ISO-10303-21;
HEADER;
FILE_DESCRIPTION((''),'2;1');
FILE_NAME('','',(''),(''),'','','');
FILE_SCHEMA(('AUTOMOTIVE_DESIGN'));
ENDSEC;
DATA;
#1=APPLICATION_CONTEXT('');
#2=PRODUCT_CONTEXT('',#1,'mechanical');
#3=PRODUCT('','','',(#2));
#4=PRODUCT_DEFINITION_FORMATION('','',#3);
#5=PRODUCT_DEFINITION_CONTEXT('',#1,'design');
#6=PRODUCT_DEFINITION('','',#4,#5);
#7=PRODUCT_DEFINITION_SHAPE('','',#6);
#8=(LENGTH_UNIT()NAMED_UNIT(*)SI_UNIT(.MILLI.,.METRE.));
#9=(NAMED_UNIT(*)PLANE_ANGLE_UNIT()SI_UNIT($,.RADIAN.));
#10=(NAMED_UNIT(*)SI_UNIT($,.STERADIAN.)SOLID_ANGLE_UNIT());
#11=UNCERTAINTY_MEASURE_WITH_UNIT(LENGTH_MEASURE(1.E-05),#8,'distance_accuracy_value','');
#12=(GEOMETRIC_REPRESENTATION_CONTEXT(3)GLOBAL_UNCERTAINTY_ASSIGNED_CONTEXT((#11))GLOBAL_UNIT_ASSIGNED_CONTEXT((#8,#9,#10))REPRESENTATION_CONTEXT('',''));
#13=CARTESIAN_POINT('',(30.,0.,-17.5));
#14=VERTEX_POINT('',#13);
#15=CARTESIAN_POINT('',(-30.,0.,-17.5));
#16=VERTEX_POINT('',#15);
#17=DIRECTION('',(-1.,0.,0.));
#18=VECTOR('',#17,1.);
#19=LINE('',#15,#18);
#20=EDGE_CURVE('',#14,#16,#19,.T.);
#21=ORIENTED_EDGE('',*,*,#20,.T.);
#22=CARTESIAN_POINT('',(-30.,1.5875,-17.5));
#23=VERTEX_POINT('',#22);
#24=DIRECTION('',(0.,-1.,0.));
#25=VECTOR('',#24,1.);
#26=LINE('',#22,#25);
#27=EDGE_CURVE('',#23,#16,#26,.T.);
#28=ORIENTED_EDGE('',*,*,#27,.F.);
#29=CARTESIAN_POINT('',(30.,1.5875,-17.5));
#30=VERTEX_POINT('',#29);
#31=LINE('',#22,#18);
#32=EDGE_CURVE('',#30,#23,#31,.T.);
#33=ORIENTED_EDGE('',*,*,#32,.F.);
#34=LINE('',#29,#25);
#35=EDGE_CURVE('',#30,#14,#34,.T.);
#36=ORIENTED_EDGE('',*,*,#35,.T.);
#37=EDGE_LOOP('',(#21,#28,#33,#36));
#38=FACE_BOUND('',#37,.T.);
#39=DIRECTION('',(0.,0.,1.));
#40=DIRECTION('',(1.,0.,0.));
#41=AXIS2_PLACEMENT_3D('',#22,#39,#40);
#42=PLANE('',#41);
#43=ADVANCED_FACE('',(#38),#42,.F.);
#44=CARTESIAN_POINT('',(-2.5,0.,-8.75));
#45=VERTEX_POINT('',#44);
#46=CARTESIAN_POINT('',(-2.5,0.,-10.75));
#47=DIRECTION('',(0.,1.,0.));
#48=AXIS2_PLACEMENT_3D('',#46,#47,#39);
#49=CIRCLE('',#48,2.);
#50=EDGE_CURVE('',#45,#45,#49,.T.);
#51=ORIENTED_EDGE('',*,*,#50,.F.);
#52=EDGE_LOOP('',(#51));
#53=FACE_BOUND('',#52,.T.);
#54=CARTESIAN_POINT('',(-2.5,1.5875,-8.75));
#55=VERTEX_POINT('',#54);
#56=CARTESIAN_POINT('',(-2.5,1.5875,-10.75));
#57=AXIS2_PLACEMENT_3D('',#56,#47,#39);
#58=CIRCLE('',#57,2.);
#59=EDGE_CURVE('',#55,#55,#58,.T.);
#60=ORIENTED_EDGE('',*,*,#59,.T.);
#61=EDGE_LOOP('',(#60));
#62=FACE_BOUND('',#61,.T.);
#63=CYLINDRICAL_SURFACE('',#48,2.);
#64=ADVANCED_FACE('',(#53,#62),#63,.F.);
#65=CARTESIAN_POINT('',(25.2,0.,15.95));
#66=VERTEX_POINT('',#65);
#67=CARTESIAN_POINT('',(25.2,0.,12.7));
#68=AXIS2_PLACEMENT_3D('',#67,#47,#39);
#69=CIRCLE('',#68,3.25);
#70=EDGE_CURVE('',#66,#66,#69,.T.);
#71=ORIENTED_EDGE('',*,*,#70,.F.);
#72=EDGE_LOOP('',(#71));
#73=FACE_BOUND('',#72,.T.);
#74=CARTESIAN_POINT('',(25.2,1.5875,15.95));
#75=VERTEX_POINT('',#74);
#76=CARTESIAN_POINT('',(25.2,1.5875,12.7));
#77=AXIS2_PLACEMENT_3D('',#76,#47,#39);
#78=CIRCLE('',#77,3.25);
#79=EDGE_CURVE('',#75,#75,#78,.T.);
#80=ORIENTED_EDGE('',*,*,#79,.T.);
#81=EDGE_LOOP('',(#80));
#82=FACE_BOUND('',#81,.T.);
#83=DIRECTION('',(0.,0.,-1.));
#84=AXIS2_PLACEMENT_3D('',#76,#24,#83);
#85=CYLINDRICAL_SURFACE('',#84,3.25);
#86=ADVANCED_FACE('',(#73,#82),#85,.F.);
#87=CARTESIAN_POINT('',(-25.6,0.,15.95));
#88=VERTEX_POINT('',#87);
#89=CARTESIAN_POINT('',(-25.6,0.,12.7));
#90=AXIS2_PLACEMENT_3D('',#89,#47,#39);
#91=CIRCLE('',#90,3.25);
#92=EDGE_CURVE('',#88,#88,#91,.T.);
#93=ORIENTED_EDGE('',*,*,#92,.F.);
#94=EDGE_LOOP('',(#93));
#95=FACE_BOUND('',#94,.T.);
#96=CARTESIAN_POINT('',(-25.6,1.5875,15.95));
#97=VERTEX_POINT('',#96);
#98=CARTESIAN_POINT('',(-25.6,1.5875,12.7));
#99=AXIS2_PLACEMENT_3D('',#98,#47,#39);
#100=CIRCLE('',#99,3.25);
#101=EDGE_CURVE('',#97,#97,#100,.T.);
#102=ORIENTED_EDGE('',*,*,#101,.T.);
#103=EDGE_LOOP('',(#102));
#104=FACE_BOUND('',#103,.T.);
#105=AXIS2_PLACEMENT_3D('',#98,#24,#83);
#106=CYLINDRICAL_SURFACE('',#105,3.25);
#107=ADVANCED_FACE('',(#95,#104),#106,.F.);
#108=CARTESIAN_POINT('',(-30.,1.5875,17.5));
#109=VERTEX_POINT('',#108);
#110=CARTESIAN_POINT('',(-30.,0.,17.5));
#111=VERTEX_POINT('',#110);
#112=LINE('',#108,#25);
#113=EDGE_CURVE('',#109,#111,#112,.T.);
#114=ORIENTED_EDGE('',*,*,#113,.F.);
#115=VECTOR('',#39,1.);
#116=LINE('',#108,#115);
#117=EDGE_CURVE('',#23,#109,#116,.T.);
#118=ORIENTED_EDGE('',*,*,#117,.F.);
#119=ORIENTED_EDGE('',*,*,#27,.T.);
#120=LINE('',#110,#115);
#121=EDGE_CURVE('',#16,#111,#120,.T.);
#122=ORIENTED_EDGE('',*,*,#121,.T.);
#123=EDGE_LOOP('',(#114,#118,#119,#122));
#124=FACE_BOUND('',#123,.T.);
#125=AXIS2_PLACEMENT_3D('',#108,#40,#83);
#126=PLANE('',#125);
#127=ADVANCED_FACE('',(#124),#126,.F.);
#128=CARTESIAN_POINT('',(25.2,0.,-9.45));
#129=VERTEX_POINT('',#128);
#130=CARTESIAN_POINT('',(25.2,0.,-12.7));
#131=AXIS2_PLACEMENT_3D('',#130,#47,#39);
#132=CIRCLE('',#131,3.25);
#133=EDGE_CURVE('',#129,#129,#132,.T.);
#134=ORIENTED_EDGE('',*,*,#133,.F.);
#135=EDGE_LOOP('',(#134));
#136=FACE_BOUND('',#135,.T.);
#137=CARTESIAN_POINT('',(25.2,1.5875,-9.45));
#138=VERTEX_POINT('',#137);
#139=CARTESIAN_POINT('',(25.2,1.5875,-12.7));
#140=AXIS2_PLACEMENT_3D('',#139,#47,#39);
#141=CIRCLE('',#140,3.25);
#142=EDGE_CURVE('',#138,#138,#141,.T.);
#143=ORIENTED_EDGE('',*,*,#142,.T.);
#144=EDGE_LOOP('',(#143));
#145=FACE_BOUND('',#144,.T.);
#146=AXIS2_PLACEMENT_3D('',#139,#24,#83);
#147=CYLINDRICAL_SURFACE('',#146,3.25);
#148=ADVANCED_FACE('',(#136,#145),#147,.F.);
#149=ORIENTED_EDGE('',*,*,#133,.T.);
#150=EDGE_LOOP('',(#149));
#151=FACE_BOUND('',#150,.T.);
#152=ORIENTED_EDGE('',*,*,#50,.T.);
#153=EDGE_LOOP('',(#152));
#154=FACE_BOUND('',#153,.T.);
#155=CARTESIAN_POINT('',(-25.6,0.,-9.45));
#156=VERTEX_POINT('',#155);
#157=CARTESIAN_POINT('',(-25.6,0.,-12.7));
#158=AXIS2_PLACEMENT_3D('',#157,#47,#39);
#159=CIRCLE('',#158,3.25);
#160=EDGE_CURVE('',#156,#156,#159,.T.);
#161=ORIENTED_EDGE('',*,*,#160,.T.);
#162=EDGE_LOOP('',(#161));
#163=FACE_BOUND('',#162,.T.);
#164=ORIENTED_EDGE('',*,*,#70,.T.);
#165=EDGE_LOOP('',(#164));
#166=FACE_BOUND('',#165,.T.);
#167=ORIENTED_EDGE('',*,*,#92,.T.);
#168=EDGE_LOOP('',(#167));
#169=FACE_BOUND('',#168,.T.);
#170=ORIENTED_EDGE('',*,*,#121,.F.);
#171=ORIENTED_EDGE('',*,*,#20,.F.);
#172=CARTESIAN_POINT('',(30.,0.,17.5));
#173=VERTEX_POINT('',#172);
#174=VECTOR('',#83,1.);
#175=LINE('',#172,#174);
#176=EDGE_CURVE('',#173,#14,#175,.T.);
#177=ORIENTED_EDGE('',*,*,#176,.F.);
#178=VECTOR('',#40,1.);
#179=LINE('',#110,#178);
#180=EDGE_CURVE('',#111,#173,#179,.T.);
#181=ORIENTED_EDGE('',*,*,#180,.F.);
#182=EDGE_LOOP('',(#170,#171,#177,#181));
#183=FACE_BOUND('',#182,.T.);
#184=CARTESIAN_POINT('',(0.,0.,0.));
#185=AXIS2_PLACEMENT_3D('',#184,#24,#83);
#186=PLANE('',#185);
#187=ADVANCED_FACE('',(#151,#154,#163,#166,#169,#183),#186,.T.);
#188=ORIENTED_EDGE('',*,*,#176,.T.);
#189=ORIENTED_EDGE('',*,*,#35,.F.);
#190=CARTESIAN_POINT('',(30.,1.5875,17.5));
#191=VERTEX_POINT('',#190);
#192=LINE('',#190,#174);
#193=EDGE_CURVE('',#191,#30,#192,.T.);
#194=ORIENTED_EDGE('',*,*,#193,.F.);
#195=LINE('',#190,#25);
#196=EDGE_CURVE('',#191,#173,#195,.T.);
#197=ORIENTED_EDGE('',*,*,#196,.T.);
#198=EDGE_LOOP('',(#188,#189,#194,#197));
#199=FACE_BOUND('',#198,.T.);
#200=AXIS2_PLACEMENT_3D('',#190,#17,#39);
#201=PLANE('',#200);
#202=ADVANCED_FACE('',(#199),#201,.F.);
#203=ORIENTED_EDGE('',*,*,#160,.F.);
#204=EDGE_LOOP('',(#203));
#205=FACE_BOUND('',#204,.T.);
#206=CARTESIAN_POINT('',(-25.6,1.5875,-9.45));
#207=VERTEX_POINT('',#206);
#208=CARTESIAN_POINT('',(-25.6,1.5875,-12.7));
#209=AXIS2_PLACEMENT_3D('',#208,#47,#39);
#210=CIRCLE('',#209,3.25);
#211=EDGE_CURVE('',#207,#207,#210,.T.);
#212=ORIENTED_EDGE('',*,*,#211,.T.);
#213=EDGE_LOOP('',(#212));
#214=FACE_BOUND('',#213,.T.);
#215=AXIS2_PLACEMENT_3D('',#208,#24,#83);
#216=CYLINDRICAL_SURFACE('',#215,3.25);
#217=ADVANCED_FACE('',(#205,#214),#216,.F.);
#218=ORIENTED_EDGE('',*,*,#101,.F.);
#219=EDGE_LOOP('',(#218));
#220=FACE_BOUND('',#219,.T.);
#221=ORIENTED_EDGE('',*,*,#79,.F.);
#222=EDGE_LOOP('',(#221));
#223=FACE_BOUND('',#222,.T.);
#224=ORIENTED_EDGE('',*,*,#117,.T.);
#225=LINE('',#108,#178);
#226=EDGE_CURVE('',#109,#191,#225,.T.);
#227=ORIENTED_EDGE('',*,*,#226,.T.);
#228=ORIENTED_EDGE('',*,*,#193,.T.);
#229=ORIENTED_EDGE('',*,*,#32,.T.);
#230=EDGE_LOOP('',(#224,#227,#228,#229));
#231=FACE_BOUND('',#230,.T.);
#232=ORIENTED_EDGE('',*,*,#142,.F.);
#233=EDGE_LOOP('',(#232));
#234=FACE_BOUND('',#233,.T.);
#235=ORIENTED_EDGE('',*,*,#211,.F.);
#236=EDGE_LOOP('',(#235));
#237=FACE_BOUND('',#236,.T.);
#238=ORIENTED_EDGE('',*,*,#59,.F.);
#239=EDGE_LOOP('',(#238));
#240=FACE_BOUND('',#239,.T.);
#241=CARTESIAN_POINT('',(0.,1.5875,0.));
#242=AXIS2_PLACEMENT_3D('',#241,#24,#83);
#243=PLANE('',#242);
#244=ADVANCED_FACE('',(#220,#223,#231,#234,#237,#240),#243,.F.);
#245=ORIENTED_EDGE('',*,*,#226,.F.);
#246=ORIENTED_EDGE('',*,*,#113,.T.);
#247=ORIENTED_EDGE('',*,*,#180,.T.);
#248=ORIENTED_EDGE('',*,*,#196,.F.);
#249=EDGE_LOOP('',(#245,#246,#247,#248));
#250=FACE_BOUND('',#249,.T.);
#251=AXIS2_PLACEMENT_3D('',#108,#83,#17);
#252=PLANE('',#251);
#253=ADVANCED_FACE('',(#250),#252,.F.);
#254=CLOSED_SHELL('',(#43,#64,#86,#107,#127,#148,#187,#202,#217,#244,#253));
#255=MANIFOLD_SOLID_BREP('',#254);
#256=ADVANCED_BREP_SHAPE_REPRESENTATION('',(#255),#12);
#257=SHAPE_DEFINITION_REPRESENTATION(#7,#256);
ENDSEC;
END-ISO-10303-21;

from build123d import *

# Parameters (mm, degrees)
SKETCH1_W           = 60
SKETCH1_H           = 35
SKETCH1_R           = 3.25
BOSS_EXTRUDE1_DEPTH = 1.5875
SKETCH2_R           = 2
CUT_EXTRUDE1_DEPTH  = 2.5875


with BuildPart() as part:
    # Sketch1 → Boss-Extrude1 (new body)
    with BuildSketch(Plane(origin=(0, 0, 0), x_dir=(1, 0, 0), z_dir=(0, 1, 0))):
        Rectangle(SKETCH1_W, SKETCH1_H)
        with Locations((-25.6, 12.7)):
            Circle(SKETCH1_R, mode=Mode.SUBTRACT)
        with Locations((25.2, 12.7)):
            Circle(SKETCH1_R, mode=Mode.SUBTRACT)
        with Locations((-25.6, -12.7)):
            Circle(SKETCH1_R, mode=Mode.SUBTRACT)
        with Locations((25.2, -12.7)):
            Circle(SKETCH1_R, mode=Mode.SUBTRACT)
    extrude(amount=BOSS_EXTRUDE1_DEPTH)

    # Sketch2 → Cut-Extrude1 (cut, through all)
    with BuildSketch(Plane(origin=(0, 1.5875, 0), x_dir=(1, 0, 0), z_dir=(0, 1, 0))):
        with Locations((-2.5, 10.75)):
            Circle(SKETCH2_R)
    extrude(amount=-CUT_EXTRUDE1_DEPTH, mode=Mode.SUBTRACT)


solid = part.part
